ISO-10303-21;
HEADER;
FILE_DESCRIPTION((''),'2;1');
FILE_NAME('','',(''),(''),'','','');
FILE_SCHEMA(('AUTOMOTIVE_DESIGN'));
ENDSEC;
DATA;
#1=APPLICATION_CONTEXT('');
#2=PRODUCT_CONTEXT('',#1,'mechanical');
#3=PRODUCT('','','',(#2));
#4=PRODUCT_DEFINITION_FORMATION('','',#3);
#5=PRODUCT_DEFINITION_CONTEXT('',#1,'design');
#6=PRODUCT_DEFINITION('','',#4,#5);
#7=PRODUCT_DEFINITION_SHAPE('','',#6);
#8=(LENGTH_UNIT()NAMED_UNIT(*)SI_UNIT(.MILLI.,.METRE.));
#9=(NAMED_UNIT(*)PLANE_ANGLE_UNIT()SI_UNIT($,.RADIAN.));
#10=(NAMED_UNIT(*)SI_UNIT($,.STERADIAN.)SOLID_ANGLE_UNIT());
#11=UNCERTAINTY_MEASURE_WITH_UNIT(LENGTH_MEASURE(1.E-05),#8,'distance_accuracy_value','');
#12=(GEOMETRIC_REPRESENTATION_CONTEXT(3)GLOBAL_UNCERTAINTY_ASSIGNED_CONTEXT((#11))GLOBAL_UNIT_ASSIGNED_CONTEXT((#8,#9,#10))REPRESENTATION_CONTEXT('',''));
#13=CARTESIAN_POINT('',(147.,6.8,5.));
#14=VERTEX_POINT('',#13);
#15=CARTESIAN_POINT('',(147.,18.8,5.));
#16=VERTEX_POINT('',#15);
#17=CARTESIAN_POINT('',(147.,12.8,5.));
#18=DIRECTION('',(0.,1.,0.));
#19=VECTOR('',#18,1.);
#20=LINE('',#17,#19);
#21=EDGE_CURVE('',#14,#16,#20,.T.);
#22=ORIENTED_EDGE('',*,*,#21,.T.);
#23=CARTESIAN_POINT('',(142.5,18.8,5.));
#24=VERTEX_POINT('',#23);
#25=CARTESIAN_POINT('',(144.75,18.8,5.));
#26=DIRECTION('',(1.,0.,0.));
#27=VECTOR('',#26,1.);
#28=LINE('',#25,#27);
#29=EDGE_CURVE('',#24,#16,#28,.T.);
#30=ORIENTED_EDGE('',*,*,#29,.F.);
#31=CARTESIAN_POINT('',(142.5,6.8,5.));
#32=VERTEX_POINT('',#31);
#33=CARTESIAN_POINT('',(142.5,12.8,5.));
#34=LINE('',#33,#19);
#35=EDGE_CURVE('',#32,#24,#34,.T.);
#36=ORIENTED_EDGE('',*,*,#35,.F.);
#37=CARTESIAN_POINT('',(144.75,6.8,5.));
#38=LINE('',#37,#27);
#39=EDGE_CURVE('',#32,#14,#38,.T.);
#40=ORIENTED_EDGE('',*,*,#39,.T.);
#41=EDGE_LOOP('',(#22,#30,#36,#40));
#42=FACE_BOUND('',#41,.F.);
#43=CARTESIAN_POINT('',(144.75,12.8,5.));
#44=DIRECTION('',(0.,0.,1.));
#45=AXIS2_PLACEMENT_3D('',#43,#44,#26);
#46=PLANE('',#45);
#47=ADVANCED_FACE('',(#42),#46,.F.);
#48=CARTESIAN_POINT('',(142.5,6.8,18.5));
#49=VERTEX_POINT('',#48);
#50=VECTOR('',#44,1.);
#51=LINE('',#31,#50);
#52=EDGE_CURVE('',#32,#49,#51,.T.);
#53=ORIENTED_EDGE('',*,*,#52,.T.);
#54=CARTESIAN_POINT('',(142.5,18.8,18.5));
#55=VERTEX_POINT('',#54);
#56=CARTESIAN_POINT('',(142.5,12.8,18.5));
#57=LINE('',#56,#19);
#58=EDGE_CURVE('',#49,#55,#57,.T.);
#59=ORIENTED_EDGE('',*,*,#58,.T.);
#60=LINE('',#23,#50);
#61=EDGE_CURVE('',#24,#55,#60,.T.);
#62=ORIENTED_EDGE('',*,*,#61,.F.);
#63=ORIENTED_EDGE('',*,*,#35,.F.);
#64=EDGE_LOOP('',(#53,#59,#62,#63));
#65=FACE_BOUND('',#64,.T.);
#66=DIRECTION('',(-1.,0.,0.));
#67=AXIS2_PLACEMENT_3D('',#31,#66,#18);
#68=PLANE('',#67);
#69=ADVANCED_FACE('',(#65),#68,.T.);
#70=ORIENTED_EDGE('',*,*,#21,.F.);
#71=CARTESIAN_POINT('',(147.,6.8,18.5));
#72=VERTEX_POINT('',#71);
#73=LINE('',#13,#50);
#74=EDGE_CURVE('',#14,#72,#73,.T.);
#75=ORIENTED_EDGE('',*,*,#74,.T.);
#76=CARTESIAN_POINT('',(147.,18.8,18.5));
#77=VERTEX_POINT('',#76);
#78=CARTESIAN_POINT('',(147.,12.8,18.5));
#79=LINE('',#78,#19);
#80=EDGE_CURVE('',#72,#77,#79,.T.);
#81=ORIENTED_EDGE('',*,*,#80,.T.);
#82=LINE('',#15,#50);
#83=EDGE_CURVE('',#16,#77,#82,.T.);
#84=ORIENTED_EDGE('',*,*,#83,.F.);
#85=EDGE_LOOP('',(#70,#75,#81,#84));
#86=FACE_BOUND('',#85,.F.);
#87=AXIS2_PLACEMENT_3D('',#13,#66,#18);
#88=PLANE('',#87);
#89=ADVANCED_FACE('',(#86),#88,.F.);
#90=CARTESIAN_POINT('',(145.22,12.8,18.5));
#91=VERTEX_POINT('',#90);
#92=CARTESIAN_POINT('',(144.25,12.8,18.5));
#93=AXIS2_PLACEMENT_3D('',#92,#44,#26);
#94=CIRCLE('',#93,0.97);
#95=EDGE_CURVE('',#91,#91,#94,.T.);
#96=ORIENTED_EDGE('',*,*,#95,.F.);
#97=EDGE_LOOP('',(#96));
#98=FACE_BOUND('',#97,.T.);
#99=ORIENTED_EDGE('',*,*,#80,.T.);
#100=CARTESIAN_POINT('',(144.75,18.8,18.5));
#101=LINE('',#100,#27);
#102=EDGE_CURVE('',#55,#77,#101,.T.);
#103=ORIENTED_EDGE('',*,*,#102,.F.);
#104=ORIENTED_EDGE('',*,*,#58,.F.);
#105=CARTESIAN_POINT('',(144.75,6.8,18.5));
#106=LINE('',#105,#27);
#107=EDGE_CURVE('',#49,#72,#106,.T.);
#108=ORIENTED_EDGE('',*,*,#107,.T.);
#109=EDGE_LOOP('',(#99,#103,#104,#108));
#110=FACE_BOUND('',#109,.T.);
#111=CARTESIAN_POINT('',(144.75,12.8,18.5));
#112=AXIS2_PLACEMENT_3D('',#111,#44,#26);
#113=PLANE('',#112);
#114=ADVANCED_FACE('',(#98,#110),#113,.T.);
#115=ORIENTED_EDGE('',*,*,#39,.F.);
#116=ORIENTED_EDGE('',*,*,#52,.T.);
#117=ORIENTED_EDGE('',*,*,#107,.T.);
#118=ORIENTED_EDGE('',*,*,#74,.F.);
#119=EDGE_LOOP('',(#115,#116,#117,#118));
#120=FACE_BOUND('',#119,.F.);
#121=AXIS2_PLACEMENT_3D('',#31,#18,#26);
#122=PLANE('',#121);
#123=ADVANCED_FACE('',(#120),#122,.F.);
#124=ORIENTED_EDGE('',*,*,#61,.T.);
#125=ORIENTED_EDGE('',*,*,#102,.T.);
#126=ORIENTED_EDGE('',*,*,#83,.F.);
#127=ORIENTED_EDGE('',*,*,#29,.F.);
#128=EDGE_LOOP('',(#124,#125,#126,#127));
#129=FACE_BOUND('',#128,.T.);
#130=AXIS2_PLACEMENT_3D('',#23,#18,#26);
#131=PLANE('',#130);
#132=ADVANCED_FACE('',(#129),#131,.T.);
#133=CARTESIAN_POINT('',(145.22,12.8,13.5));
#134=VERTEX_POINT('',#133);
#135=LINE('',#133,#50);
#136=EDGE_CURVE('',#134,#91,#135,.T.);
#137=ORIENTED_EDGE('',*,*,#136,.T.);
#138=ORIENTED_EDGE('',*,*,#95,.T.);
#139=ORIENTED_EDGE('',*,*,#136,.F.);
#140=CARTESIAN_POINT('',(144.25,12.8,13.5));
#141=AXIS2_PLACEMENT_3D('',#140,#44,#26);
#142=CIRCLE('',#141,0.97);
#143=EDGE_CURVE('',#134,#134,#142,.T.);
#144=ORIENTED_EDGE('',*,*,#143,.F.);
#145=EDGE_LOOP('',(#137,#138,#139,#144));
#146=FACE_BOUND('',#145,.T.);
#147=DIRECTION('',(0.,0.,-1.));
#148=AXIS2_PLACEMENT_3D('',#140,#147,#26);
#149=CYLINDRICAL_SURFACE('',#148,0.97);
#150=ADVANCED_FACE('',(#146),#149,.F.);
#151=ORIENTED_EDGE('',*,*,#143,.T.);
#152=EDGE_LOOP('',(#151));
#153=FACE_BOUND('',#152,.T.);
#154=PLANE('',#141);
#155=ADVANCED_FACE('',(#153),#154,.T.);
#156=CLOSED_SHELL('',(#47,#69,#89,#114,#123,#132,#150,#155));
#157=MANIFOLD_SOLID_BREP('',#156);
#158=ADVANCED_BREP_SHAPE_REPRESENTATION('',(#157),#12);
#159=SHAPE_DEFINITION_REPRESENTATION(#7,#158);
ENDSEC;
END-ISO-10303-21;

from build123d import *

# Parameters (mm, degrees)
CYLINDER002002001001001001001001008_R     = 0.97
CYLINDER002002001001001001001001008_DEPTH = 5
BOX006_W                                  = 4.5
BOX006_H                                  = 12
BOX006_DEPTH                              = 13.5


with BuildPart() as cylinder002002001001001001001001008:
    # Cylinder002002001001001001001001008 → Cylinder002002001001001001001001008 (new body)
    with BuildSketch(Plane(origin=(144.25, 12.8, 13.5), x_dir=(1, 0, 0), z_dir=(0, 0, 1))):
        Circle(CYLINDER002002001001001001001001008_R)
    extrude(amount=CYLINDER002002001001001001001001008_DEPTH)


with BuildPart() as cut013003021:
    # Box006 → Box006 (new body)
    with BuildSketch(Plane(origin=(142.5, 6.8, 5), x_dir=(1, 0, 0), z_dir=(0, 0, 1))):
        with Locations((2.25, 6)):
            Rectangle(BOX006_W, BOX006_H)
    extrude(amount=BOX006_DEPTH)

    # Cut013003021: cut Cylinder002002001001001001001001008
    add(cylinder002002001001001001001001008.part, mode=Mode.SUBTRACT)


solid = cut013003021.part
